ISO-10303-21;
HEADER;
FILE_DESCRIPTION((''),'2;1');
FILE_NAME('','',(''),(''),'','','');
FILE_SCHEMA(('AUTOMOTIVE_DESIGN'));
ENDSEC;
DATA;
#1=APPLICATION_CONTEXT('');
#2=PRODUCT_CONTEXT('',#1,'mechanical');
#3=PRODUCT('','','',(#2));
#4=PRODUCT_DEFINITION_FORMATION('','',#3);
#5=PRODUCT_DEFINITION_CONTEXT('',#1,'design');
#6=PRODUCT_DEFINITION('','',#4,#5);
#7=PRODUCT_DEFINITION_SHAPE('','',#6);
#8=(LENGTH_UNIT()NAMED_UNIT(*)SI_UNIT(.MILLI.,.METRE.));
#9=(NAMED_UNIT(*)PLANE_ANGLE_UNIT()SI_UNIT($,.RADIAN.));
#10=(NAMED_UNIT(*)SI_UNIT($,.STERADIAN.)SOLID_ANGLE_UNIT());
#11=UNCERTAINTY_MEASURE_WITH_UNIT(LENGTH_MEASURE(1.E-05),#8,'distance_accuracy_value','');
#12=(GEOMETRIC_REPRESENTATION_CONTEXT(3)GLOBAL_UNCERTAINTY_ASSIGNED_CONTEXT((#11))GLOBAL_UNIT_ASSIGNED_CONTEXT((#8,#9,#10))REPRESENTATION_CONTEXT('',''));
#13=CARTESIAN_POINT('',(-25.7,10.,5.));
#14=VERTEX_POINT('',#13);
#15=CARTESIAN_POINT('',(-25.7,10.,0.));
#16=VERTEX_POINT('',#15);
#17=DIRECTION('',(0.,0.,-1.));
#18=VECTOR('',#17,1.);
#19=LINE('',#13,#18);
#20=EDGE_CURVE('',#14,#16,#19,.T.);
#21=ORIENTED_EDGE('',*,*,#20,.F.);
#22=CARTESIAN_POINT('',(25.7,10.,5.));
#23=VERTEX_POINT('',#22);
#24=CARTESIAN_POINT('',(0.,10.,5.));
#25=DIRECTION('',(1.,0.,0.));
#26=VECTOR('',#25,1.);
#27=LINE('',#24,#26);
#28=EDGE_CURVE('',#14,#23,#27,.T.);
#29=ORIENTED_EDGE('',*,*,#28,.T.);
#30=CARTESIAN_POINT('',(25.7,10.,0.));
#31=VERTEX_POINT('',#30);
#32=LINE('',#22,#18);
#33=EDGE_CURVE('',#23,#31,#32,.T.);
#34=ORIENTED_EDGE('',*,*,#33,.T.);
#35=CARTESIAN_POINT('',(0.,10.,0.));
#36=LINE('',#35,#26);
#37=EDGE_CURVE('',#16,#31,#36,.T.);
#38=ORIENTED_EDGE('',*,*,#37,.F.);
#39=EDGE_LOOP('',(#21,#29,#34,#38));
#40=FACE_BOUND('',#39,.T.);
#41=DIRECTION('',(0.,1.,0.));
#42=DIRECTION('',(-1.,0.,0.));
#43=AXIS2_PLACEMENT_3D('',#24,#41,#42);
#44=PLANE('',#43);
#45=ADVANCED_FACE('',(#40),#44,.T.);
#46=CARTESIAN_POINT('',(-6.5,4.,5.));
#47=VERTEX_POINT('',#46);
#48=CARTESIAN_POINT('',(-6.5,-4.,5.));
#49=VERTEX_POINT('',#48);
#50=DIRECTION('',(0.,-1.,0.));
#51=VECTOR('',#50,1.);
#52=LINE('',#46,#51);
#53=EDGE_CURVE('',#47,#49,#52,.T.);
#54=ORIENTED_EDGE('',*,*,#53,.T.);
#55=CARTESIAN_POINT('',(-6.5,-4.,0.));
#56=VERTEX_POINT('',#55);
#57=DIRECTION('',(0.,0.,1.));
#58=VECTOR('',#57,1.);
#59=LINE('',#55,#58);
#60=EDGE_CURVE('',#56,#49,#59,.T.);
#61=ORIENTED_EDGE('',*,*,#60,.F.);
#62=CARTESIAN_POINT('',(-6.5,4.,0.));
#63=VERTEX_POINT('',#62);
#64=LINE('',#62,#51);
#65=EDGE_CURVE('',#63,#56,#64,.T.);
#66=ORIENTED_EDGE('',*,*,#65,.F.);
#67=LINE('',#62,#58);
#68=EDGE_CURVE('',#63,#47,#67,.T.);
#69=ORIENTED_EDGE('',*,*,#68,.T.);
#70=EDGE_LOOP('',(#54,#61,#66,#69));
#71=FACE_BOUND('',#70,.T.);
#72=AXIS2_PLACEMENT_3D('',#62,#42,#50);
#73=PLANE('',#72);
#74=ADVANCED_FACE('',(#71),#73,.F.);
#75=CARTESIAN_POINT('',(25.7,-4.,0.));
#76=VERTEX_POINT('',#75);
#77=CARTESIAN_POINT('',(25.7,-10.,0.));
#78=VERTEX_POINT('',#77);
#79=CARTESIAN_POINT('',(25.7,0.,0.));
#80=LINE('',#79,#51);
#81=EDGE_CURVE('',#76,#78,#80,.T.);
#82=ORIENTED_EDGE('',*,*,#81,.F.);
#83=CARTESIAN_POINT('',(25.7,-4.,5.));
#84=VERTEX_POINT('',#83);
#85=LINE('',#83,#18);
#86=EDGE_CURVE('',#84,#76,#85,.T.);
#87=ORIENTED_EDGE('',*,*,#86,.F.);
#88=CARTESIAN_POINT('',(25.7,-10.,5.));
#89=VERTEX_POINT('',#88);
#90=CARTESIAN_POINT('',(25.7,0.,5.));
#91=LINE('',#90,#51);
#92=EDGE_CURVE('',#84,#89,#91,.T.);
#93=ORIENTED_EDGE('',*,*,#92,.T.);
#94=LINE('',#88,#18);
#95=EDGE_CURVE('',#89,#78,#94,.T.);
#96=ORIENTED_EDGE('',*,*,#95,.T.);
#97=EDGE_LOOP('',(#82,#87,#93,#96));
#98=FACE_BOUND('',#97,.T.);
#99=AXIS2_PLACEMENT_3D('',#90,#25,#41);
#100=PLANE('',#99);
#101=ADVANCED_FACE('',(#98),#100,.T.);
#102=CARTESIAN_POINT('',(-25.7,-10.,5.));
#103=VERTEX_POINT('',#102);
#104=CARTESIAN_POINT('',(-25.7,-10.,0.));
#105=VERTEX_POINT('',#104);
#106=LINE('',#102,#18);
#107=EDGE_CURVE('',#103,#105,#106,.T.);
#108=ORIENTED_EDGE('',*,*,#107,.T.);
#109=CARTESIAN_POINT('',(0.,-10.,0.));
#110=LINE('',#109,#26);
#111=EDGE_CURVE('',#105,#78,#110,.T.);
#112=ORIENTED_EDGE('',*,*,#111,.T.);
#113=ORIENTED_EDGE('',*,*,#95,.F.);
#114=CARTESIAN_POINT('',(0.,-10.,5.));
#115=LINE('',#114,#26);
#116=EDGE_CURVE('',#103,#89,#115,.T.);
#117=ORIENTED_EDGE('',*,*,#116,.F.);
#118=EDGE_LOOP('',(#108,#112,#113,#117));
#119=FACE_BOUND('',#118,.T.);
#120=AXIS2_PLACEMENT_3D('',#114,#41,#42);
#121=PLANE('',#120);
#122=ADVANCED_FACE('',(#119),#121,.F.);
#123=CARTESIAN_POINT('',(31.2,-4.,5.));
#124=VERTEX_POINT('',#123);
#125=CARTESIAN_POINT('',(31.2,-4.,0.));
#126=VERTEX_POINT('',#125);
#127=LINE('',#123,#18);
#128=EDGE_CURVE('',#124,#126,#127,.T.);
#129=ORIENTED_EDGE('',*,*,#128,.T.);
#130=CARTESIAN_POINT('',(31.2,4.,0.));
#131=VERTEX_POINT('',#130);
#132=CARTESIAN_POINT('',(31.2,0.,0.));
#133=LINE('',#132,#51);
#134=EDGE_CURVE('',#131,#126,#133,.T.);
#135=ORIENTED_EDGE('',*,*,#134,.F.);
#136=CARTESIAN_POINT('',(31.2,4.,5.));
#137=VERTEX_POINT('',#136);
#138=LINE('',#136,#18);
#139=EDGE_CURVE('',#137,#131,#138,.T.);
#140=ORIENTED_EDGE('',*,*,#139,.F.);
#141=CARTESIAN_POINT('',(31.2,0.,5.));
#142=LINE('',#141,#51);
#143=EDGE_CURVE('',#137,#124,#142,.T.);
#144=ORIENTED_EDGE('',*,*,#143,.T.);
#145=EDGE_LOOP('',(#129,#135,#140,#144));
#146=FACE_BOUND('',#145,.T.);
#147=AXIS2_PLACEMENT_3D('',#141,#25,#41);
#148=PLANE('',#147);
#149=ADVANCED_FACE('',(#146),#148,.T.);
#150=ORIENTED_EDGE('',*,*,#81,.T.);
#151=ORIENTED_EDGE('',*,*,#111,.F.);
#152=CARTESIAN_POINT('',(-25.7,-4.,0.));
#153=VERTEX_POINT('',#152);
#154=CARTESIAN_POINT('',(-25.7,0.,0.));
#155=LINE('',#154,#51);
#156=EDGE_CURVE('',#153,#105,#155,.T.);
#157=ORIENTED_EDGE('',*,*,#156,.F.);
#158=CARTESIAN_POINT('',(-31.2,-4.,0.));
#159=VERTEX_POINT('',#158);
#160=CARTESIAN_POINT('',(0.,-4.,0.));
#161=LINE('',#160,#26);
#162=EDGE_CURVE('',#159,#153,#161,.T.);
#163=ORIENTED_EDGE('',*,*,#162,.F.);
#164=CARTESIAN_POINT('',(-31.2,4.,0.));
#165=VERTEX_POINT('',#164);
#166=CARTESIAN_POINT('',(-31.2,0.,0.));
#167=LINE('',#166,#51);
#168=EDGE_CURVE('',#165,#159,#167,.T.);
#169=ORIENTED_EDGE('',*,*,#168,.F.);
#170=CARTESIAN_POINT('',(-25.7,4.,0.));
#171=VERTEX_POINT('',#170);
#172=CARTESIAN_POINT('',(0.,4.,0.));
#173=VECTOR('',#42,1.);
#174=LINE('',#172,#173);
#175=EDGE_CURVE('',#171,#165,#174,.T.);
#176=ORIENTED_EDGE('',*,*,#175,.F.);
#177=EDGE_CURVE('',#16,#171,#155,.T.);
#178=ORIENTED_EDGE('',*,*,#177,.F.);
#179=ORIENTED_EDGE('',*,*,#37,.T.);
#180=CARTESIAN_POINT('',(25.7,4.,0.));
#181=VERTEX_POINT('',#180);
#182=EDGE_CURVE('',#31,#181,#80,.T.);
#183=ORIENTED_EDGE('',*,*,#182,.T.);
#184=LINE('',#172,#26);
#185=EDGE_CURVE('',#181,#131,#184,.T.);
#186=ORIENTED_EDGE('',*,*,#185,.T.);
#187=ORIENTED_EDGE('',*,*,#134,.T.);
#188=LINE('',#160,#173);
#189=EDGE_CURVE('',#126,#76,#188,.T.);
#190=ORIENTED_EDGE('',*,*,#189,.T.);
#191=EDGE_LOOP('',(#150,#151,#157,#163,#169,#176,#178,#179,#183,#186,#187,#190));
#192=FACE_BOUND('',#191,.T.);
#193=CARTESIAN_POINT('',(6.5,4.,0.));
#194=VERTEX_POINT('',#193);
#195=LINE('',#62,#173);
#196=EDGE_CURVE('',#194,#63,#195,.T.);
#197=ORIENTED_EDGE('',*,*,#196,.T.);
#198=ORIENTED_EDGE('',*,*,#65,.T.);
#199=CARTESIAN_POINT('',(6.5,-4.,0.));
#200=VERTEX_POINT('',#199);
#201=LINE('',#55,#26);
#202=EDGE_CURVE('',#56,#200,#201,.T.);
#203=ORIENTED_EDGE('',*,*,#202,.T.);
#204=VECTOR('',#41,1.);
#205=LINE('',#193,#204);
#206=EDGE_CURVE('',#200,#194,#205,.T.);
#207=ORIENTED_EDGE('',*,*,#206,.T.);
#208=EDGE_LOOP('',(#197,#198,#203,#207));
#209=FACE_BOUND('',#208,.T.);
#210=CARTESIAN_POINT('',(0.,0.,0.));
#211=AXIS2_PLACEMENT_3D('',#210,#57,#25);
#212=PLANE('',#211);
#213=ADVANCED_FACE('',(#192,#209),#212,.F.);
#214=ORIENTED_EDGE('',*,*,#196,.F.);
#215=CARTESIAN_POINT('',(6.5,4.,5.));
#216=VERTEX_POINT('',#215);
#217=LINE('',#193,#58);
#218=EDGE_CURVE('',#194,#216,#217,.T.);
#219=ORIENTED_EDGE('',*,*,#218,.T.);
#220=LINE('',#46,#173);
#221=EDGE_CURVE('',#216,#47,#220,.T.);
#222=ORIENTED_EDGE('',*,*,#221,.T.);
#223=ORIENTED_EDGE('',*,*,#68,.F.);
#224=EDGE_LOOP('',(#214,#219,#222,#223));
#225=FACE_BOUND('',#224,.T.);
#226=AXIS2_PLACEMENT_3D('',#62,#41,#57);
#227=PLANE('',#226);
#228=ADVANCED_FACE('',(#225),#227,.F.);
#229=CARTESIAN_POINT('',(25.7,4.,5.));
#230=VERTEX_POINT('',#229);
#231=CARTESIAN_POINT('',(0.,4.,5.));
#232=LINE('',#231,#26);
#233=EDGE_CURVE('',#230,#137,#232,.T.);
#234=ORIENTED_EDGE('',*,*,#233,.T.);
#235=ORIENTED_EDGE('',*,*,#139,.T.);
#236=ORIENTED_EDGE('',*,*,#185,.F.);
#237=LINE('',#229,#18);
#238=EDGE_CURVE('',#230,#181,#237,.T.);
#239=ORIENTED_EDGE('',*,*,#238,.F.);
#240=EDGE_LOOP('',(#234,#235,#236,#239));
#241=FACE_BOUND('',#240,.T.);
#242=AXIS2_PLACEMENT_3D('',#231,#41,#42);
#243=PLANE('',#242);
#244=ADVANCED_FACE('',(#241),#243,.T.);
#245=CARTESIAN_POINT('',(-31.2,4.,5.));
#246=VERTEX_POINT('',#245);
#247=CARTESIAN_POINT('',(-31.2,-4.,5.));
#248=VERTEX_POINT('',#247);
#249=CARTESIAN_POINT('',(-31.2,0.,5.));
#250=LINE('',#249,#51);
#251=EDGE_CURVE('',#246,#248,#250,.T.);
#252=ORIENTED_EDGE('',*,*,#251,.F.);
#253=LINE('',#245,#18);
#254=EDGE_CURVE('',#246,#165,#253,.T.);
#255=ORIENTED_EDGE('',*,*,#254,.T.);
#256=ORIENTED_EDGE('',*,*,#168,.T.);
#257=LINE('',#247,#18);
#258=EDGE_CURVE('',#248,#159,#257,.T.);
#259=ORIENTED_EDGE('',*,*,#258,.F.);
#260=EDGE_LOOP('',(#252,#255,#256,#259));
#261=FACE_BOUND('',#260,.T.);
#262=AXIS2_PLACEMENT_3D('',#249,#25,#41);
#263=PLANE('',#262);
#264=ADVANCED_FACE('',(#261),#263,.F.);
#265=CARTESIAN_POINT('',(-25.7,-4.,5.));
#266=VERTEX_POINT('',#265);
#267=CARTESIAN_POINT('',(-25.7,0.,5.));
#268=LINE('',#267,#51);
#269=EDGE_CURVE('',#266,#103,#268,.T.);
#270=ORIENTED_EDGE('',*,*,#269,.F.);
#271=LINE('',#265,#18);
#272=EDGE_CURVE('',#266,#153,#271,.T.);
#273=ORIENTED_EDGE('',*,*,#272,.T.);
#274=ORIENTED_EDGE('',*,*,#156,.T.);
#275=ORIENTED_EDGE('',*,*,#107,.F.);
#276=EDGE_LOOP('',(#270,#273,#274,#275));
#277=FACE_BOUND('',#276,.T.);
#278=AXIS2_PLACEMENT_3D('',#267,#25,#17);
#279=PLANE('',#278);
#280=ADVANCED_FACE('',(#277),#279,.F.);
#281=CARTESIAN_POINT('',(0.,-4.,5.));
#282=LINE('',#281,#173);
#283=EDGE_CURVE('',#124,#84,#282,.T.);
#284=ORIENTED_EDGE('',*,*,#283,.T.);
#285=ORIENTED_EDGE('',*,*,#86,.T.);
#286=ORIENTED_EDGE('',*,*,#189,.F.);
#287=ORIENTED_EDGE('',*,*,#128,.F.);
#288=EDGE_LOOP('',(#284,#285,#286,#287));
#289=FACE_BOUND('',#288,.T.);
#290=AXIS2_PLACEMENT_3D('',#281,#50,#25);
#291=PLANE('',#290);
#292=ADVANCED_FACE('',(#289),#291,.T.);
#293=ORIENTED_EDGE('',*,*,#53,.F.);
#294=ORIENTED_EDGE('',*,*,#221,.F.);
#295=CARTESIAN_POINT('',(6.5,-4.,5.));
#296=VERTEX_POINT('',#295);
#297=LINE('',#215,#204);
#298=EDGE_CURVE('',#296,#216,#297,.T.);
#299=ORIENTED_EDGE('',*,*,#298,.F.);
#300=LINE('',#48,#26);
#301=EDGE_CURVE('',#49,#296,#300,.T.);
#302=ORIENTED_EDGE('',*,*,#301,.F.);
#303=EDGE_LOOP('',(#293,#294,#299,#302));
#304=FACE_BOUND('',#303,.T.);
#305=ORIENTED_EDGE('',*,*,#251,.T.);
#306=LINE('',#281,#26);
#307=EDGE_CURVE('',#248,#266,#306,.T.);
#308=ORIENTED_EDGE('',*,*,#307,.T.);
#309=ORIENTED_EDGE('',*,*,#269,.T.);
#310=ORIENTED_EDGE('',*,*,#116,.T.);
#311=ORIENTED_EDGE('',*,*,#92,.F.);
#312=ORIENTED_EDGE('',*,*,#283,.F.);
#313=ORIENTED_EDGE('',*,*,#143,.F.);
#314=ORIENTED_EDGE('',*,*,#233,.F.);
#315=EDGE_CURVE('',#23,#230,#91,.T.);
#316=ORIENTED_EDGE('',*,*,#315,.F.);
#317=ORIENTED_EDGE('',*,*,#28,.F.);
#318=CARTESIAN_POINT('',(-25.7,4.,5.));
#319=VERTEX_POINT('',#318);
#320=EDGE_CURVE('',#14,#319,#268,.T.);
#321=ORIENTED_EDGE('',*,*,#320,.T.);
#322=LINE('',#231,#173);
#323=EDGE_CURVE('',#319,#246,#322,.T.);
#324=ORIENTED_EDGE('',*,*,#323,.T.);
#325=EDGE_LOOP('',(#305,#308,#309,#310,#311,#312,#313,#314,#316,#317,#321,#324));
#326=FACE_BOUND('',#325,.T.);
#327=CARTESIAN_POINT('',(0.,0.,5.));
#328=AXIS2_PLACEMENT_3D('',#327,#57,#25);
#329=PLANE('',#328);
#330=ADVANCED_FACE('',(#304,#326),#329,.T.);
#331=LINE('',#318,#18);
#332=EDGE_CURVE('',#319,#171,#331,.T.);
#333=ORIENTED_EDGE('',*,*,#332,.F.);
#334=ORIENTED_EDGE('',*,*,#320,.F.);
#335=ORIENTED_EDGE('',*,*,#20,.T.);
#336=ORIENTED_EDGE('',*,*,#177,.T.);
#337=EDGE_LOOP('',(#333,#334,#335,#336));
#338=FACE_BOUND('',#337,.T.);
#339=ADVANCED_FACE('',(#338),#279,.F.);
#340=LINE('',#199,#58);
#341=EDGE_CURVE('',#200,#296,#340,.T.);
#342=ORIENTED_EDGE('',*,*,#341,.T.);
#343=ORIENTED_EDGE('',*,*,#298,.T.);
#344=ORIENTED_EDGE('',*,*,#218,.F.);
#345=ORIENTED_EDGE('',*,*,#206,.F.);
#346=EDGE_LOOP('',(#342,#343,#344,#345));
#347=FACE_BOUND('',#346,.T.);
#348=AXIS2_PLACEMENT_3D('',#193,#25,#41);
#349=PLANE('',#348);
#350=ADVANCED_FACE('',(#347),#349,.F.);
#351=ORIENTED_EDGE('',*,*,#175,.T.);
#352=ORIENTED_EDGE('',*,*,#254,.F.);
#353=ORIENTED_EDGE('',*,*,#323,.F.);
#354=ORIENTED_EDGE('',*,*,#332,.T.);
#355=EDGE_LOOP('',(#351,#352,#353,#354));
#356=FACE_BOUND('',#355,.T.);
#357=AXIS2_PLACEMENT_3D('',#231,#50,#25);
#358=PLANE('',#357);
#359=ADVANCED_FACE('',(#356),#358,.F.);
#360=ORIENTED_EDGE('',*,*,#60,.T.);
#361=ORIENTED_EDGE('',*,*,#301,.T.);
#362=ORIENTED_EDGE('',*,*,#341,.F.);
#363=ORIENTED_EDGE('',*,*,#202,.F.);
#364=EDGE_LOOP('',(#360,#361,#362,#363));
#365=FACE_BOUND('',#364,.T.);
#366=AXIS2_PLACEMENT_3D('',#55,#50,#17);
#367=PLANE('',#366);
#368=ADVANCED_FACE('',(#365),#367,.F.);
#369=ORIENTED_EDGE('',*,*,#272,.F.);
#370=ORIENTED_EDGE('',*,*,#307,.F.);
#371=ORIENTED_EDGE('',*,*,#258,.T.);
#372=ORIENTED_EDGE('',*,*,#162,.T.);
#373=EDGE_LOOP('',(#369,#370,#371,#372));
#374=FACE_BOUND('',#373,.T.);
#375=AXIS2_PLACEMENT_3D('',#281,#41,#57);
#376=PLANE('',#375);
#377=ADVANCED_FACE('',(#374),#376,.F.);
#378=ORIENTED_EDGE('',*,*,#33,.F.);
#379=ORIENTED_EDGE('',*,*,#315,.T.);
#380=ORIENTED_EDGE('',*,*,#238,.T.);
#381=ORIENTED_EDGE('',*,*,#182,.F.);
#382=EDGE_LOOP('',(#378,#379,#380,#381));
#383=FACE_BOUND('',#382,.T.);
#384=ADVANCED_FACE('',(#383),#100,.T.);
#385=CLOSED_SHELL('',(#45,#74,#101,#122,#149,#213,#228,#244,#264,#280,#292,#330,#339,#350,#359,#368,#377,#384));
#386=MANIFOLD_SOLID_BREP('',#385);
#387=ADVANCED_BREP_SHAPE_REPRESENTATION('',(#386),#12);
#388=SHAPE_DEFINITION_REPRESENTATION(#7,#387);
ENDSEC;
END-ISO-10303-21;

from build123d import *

# Parameters (mm, degrees)
BOSS_EXTRUDE1_DEPTH = 5
SKETCH2_W           = 13
SKETCH2_H           = 8
CUT_EXTRUDE1_DEPTH  = 5


with BuildPart() as part:
    # Sketch1 → Boss-Extrude1 (new body)
    with BuildSketch(Plane.XY):
        Polygon((25.7, 10), (-25.7, 10), (-25.7, 4), (-31.2, 4), (-31.2, -4), (-25.7, -4), (-25.7, -10), (25.7, -10), (25.7, -4), (31.2, -4), (31.2, 4), (25.7, 4), align=None)
    extrude(amount=BOSS_EXTRUDE1_DEPTH)

    # Sketch2 → Cut-Extrude1 (cut)
    with BuildSketch(Plane.XY.offset(5)):
        Rectangle(SKETCH2_W, SKETCH2_H)
    extrude(amount=-CUT_EXTRUDE1_DEPTH, mode=Mode.SUBTRACT)


solid = part.part
